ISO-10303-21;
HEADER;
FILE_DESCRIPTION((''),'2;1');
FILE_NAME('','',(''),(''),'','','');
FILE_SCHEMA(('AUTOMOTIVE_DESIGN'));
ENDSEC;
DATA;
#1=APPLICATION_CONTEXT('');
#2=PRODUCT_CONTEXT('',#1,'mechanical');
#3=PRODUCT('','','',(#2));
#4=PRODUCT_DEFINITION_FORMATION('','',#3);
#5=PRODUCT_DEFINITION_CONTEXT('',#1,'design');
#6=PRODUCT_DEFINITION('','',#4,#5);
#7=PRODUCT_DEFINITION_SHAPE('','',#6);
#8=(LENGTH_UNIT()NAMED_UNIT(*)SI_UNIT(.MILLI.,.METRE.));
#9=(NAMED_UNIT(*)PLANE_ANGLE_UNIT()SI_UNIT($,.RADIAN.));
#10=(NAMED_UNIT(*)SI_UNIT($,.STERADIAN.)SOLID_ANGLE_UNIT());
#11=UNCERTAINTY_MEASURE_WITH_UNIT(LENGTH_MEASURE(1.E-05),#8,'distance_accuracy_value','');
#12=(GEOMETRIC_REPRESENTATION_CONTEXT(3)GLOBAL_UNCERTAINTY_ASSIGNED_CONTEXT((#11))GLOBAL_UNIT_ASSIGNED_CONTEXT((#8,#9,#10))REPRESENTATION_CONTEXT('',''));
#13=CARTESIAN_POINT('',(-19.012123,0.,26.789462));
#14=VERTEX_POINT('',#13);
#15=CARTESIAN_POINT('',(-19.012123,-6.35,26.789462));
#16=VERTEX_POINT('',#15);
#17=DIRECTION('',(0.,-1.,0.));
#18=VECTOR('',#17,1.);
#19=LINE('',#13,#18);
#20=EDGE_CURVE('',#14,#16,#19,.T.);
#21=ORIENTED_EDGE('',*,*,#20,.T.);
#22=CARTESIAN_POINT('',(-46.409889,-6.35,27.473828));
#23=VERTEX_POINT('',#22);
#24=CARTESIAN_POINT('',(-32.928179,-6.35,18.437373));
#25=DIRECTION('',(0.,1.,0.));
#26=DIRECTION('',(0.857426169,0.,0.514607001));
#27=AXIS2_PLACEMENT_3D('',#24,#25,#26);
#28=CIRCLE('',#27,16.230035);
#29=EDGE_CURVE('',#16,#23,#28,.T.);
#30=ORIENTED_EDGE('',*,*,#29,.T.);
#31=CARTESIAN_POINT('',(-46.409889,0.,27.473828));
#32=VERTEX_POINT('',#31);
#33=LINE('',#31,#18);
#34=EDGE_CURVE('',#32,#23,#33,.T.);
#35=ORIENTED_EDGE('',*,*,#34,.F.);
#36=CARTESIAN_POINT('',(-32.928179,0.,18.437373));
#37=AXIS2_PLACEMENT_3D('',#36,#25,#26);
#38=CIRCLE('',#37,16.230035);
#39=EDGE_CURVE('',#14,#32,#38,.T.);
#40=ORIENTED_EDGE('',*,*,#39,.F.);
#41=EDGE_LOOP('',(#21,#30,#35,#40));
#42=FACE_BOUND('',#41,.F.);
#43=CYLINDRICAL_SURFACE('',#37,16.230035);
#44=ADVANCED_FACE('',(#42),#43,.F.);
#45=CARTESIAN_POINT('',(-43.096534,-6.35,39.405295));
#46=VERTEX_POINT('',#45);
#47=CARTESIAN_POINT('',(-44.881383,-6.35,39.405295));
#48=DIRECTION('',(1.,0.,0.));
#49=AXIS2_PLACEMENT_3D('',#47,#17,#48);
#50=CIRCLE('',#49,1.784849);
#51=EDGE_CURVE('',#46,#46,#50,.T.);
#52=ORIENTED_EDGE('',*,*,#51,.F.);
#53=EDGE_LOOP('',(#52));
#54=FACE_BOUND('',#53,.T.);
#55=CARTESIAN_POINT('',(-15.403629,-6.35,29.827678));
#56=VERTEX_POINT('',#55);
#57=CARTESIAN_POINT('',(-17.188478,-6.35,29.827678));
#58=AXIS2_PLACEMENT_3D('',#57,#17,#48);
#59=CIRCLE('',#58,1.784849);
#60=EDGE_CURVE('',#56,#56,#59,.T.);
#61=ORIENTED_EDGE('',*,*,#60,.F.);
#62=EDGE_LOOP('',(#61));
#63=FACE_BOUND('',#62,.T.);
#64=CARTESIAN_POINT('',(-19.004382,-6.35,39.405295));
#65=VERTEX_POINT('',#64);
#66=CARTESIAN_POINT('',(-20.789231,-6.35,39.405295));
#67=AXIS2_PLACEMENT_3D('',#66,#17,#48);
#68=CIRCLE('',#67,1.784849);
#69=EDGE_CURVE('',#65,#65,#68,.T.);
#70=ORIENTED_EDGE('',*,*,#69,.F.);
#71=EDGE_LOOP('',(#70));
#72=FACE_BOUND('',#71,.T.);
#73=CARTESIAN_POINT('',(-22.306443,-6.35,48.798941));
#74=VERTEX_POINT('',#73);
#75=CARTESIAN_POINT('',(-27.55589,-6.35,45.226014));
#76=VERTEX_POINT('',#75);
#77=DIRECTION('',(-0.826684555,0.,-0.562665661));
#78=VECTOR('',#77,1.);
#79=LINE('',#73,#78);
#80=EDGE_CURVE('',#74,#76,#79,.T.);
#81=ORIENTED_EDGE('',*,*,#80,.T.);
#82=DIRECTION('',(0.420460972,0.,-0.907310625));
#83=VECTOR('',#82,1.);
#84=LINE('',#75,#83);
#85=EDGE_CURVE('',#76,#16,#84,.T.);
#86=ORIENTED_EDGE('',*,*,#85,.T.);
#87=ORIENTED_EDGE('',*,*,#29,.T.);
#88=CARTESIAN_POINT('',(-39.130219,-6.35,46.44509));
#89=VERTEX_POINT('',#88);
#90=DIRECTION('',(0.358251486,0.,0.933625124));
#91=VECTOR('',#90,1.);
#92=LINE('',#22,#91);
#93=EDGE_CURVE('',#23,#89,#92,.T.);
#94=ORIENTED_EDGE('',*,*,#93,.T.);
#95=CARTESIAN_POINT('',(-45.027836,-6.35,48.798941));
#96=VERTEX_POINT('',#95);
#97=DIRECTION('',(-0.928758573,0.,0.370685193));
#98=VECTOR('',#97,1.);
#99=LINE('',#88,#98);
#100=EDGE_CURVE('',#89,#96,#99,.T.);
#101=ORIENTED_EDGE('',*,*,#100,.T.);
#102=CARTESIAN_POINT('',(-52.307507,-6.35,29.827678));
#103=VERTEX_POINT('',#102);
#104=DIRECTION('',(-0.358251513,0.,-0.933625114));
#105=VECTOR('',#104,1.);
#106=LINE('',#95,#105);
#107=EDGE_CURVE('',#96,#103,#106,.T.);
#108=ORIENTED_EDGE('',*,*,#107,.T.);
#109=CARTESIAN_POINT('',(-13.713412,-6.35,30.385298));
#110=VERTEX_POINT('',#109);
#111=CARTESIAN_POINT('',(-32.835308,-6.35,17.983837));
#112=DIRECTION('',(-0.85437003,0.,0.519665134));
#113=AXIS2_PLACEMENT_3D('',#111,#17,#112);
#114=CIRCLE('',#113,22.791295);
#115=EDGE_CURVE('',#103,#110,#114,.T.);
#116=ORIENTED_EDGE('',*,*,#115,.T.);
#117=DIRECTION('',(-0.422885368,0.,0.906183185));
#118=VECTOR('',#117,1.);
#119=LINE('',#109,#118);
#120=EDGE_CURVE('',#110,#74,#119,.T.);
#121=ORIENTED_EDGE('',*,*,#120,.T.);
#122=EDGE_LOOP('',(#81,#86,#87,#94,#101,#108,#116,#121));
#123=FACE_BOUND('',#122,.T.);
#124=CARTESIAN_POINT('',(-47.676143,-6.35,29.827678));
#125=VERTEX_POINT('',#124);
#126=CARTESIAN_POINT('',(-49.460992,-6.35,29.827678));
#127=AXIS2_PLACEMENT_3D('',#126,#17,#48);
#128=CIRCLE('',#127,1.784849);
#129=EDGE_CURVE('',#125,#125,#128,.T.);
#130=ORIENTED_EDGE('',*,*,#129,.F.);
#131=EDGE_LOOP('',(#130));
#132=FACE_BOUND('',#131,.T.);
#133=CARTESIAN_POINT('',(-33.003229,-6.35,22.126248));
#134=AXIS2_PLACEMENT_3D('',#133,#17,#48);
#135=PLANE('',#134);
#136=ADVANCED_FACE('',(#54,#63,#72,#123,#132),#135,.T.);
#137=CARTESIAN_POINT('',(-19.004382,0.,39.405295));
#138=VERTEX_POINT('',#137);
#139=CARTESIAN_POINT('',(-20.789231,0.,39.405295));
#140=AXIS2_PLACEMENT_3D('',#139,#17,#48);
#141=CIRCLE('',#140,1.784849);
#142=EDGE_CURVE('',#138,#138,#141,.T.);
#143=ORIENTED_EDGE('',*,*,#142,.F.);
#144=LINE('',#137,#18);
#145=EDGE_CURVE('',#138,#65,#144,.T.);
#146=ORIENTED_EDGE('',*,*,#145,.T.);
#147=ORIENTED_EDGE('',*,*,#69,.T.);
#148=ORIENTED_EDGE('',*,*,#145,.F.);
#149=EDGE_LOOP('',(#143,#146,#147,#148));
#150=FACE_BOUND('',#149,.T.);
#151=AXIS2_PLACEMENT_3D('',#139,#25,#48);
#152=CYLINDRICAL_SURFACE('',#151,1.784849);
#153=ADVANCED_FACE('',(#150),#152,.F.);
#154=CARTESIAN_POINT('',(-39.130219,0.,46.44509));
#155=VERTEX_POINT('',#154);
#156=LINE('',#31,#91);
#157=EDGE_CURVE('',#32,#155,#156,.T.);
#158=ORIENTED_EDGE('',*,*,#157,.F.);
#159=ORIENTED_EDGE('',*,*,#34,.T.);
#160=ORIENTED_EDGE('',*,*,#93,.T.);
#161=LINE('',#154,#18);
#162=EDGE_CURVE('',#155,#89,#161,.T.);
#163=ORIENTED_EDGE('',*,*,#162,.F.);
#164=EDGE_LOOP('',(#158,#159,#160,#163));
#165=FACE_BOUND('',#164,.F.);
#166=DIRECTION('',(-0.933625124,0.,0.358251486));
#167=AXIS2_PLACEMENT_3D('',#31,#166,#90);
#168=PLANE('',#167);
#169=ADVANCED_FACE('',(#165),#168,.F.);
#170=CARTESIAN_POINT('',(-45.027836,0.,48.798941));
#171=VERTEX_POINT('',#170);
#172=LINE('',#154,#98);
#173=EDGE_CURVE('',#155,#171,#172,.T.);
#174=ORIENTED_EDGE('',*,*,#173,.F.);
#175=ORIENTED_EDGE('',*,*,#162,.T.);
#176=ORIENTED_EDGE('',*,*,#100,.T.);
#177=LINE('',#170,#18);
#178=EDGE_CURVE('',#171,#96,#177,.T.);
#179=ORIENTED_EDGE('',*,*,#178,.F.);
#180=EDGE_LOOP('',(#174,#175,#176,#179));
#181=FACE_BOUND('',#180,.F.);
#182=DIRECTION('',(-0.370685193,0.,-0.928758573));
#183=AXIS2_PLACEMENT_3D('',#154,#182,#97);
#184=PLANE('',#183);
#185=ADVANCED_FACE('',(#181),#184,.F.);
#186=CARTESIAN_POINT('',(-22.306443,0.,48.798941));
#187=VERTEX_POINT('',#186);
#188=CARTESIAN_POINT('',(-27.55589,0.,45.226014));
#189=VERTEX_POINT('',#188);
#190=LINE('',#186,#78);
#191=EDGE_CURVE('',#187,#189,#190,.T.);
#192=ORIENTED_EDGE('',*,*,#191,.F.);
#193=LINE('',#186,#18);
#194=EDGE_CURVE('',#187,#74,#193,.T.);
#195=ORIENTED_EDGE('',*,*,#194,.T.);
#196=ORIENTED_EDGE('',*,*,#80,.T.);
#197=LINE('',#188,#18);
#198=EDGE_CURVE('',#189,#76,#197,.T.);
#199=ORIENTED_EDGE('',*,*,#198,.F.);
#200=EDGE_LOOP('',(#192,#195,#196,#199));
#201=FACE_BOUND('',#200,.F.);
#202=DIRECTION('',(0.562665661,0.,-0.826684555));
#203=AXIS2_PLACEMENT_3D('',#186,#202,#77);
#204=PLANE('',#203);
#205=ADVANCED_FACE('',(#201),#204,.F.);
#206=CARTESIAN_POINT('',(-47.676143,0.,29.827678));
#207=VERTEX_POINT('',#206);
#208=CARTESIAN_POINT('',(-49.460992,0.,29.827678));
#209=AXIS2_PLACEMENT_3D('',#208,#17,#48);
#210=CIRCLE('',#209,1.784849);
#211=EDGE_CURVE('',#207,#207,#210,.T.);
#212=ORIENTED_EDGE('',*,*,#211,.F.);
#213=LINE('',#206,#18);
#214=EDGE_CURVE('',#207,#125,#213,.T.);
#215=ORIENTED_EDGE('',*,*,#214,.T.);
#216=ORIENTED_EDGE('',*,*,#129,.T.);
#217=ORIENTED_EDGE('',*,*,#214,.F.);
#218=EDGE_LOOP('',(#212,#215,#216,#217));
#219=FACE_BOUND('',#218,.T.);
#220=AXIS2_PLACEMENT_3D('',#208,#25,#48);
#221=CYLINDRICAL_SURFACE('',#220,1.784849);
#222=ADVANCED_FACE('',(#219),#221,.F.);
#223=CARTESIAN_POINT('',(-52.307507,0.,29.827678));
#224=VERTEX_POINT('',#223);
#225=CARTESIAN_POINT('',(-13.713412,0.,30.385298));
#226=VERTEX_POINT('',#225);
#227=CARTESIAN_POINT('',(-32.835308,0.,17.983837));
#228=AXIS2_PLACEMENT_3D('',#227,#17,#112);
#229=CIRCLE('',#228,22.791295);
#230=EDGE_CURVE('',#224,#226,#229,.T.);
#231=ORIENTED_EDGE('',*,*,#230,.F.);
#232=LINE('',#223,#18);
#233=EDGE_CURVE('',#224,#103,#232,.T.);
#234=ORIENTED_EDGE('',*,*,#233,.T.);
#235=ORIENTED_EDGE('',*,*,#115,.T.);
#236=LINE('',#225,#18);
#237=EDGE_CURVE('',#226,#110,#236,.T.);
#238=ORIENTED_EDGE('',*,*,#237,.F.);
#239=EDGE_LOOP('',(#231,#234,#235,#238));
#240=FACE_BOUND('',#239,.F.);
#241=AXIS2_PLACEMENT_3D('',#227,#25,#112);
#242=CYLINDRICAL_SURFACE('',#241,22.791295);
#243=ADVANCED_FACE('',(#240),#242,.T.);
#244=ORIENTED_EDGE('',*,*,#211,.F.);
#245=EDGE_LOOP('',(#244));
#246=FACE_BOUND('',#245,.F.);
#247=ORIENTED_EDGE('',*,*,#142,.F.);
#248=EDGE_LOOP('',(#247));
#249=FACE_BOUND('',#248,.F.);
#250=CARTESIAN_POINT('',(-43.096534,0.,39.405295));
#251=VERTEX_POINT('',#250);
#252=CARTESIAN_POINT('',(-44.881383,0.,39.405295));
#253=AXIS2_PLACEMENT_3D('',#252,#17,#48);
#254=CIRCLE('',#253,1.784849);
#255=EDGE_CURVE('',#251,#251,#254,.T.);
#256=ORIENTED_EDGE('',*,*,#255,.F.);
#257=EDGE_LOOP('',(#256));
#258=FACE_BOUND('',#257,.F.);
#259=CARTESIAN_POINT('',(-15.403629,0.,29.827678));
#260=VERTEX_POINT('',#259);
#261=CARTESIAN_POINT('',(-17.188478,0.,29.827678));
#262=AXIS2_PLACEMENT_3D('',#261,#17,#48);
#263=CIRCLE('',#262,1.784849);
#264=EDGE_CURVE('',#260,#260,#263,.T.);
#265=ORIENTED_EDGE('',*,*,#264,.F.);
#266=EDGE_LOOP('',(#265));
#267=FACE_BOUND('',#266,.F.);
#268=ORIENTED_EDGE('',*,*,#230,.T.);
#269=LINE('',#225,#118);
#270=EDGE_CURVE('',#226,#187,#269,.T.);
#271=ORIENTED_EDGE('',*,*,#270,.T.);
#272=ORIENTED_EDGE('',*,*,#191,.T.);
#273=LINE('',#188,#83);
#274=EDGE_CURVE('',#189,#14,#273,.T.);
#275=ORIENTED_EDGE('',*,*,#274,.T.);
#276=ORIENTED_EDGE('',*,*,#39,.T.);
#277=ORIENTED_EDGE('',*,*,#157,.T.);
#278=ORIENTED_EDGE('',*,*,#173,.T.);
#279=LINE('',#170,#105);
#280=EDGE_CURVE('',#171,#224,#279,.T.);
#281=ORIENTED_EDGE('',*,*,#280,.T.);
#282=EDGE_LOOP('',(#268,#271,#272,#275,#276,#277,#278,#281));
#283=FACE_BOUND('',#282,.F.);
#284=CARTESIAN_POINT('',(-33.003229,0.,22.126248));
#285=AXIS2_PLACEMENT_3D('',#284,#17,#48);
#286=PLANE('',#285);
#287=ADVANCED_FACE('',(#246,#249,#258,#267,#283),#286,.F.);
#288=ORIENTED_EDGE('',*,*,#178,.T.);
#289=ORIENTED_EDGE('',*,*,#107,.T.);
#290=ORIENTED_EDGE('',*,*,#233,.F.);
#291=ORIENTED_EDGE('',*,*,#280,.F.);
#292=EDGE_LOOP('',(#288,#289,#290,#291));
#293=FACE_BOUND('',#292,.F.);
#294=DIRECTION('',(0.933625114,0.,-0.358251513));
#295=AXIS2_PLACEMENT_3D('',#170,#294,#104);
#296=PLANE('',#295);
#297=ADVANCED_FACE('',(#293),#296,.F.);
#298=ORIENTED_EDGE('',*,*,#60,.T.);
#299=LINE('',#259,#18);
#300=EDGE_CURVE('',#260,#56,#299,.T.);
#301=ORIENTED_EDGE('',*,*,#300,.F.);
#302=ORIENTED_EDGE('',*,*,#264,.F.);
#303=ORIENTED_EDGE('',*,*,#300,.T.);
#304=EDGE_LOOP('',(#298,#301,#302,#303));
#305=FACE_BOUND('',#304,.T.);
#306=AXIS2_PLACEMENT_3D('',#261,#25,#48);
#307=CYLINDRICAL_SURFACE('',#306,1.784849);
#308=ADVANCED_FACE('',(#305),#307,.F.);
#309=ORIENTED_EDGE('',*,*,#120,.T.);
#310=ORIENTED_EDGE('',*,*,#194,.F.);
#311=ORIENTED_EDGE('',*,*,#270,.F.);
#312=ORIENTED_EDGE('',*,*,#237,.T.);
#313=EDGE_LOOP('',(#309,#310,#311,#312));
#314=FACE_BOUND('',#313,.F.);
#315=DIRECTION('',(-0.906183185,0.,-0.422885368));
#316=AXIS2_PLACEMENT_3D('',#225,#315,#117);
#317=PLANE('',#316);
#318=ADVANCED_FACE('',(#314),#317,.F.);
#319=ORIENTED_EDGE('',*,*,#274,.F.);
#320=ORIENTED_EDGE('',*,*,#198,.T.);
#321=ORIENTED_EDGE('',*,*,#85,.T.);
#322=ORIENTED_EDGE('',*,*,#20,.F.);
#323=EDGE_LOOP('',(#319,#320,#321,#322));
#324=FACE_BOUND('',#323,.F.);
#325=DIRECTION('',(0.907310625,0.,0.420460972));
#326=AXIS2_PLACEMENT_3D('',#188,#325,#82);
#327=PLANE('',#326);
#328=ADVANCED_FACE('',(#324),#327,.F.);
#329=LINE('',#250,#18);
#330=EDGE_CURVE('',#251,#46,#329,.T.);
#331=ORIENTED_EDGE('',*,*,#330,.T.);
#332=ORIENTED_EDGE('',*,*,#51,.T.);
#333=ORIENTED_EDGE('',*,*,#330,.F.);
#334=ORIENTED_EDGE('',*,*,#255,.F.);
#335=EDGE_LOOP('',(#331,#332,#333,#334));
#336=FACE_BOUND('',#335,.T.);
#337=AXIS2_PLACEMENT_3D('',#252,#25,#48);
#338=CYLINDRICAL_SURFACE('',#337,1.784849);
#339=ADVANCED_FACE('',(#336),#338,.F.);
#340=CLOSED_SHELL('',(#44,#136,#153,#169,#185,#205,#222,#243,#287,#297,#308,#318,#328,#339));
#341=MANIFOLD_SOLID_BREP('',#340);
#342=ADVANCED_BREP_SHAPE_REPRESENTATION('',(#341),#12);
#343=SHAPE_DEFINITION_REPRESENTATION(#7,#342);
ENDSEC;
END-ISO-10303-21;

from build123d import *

# Parameters (mm, degrees)
F0_R     = 1.784849
F1_DEPTH = 6.35


with BuildPart() as f1:
    # F0 (on Front) → F1 (new body)
    with BuildSketch(Plane.XZ):
        with BuildLine():
            Line((-39.130219, 46.44509), (-45.027836, 48.798941))
            Line((-45.027836, 48.798941), (-52.307507, 29.827678))
            ThreePointArc((-52.307507, 29.827678), (-32.506045, -4.80508), (-13.713412, 30.385298))
            Line((-13.713412, 30.385298), (-22.306443, 48.798941))
            Line((-22.306443, 48.798941), (-27.55589, 45.226014))
            Line((-27.55589, 45.226014), (-19.012123, 26.789462))
            ThreePointArc((-19.012123, 26.789462), (-33.333461, 2.212399), (-46.409889, 27.473828))
            Line((-46.409889, 27.473828), (-39.130219, 46.44509))
        make_face()
        with Locations((-49.460992, 29.827678)):
            Circle(F0_R, mode=Mode.SUBTRACT)
        with Locations((-44.881383, 39.405295)):
            Circle(F0_R, mode=Mode.SUBTRACT)
        with Locations((-17.188478, 29.827678)):
            Circle(F0_R, mode=Mode.SUBTRACT)
        with Locations((-20.789231, 39.405295)):
            Circle(F0_R, mode=Mode.SUBTRACT)
    extrude(amount=F1_DEPTH)


solid = f1.part
